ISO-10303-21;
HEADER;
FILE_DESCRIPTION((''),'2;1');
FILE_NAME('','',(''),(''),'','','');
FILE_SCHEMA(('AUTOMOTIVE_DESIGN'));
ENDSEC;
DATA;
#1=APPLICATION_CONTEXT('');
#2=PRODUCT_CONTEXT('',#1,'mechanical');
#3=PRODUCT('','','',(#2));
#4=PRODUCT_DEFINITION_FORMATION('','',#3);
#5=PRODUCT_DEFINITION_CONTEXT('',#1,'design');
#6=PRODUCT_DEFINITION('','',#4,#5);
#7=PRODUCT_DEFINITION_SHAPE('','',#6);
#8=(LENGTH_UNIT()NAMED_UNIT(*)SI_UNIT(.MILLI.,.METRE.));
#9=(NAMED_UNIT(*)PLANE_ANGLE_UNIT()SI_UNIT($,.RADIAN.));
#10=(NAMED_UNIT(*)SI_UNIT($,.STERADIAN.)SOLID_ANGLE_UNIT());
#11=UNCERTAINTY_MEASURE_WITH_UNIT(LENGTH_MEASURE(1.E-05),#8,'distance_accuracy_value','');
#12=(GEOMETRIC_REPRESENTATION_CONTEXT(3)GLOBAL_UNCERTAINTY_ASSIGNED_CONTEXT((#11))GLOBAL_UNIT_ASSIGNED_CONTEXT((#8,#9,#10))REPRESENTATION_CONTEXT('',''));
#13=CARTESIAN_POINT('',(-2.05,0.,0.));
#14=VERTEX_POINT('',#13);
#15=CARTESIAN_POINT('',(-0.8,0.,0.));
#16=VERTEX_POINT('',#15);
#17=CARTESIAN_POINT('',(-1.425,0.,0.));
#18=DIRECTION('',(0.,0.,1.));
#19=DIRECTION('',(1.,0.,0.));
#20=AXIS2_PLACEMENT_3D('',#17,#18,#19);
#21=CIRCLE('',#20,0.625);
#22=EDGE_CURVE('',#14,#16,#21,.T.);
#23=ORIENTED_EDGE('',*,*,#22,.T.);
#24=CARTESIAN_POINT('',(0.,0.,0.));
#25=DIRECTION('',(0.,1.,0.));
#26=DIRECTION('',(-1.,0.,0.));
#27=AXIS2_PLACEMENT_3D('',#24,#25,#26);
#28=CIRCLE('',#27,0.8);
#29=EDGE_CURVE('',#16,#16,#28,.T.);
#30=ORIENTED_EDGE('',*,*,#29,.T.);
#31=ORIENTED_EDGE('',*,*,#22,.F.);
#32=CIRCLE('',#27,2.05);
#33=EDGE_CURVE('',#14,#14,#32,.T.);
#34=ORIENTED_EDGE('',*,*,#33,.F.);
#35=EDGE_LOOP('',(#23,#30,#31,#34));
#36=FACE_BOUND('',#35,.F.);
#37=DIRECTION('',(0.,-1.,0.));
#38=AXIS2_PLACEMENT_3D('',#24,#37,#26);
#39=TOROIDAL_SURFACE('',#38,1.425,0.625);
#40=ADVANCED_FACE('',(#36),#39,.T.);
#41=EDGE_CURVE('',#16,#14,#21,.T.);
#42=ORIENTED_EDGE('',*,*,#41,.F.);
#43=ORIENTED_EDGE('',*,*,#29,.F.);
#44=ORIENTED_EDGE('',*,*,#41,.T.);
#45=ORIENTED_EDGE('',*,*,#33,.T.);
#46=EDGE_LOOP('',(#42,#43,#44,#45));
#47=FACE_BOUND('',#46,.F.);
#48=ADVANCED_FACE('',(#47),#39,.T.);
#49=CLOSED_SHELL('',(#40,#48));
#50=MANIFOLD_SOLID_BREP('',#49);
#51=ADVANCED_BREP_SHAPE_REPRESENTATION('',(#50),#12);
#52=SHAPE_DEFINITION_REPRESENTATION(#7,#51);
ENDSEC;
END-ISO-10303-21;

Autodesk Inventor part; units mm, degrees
ref_plane "YZ Plane" through (0, 0, 0) normal (1, 0, 0) x (0, 1, 0)
ref_plane "XZ Plane" through (0, 0, 0) normal (0, 1, 0) x (-1, 0, 0)
ref_plane "XY Plane" through (0, 0, 0) normal (0, 0, 1) x (1, 0, 0)
sketch "Skizze1" plane through (0, 0, 0) normal (0, 0, 1) x (1, 0, 0)
  line L0 (0, -0.875) -> (0, 0.875) projected
  line L1 (-2.87, 0) -> (2.87, 0) projected
  circle A0 centre (-1.425, 0) radius 0.625
  circle A1 centre (1.425, 0) radius 0.625
  point P0 (0, 0)
  dimension "d0" = 1.25
  dimension "d1" = 1.25
  dimension "d4" = 1.6
revolve "Umdrehung1" add sketch "Skizze1" angle 360 about axis through (0, -10, 0) along (0, 1, 0) contours A0 L1 | L1 A0
properties part number "YTP-AP-E05-R1.0" material "Gummi, Silikon"
